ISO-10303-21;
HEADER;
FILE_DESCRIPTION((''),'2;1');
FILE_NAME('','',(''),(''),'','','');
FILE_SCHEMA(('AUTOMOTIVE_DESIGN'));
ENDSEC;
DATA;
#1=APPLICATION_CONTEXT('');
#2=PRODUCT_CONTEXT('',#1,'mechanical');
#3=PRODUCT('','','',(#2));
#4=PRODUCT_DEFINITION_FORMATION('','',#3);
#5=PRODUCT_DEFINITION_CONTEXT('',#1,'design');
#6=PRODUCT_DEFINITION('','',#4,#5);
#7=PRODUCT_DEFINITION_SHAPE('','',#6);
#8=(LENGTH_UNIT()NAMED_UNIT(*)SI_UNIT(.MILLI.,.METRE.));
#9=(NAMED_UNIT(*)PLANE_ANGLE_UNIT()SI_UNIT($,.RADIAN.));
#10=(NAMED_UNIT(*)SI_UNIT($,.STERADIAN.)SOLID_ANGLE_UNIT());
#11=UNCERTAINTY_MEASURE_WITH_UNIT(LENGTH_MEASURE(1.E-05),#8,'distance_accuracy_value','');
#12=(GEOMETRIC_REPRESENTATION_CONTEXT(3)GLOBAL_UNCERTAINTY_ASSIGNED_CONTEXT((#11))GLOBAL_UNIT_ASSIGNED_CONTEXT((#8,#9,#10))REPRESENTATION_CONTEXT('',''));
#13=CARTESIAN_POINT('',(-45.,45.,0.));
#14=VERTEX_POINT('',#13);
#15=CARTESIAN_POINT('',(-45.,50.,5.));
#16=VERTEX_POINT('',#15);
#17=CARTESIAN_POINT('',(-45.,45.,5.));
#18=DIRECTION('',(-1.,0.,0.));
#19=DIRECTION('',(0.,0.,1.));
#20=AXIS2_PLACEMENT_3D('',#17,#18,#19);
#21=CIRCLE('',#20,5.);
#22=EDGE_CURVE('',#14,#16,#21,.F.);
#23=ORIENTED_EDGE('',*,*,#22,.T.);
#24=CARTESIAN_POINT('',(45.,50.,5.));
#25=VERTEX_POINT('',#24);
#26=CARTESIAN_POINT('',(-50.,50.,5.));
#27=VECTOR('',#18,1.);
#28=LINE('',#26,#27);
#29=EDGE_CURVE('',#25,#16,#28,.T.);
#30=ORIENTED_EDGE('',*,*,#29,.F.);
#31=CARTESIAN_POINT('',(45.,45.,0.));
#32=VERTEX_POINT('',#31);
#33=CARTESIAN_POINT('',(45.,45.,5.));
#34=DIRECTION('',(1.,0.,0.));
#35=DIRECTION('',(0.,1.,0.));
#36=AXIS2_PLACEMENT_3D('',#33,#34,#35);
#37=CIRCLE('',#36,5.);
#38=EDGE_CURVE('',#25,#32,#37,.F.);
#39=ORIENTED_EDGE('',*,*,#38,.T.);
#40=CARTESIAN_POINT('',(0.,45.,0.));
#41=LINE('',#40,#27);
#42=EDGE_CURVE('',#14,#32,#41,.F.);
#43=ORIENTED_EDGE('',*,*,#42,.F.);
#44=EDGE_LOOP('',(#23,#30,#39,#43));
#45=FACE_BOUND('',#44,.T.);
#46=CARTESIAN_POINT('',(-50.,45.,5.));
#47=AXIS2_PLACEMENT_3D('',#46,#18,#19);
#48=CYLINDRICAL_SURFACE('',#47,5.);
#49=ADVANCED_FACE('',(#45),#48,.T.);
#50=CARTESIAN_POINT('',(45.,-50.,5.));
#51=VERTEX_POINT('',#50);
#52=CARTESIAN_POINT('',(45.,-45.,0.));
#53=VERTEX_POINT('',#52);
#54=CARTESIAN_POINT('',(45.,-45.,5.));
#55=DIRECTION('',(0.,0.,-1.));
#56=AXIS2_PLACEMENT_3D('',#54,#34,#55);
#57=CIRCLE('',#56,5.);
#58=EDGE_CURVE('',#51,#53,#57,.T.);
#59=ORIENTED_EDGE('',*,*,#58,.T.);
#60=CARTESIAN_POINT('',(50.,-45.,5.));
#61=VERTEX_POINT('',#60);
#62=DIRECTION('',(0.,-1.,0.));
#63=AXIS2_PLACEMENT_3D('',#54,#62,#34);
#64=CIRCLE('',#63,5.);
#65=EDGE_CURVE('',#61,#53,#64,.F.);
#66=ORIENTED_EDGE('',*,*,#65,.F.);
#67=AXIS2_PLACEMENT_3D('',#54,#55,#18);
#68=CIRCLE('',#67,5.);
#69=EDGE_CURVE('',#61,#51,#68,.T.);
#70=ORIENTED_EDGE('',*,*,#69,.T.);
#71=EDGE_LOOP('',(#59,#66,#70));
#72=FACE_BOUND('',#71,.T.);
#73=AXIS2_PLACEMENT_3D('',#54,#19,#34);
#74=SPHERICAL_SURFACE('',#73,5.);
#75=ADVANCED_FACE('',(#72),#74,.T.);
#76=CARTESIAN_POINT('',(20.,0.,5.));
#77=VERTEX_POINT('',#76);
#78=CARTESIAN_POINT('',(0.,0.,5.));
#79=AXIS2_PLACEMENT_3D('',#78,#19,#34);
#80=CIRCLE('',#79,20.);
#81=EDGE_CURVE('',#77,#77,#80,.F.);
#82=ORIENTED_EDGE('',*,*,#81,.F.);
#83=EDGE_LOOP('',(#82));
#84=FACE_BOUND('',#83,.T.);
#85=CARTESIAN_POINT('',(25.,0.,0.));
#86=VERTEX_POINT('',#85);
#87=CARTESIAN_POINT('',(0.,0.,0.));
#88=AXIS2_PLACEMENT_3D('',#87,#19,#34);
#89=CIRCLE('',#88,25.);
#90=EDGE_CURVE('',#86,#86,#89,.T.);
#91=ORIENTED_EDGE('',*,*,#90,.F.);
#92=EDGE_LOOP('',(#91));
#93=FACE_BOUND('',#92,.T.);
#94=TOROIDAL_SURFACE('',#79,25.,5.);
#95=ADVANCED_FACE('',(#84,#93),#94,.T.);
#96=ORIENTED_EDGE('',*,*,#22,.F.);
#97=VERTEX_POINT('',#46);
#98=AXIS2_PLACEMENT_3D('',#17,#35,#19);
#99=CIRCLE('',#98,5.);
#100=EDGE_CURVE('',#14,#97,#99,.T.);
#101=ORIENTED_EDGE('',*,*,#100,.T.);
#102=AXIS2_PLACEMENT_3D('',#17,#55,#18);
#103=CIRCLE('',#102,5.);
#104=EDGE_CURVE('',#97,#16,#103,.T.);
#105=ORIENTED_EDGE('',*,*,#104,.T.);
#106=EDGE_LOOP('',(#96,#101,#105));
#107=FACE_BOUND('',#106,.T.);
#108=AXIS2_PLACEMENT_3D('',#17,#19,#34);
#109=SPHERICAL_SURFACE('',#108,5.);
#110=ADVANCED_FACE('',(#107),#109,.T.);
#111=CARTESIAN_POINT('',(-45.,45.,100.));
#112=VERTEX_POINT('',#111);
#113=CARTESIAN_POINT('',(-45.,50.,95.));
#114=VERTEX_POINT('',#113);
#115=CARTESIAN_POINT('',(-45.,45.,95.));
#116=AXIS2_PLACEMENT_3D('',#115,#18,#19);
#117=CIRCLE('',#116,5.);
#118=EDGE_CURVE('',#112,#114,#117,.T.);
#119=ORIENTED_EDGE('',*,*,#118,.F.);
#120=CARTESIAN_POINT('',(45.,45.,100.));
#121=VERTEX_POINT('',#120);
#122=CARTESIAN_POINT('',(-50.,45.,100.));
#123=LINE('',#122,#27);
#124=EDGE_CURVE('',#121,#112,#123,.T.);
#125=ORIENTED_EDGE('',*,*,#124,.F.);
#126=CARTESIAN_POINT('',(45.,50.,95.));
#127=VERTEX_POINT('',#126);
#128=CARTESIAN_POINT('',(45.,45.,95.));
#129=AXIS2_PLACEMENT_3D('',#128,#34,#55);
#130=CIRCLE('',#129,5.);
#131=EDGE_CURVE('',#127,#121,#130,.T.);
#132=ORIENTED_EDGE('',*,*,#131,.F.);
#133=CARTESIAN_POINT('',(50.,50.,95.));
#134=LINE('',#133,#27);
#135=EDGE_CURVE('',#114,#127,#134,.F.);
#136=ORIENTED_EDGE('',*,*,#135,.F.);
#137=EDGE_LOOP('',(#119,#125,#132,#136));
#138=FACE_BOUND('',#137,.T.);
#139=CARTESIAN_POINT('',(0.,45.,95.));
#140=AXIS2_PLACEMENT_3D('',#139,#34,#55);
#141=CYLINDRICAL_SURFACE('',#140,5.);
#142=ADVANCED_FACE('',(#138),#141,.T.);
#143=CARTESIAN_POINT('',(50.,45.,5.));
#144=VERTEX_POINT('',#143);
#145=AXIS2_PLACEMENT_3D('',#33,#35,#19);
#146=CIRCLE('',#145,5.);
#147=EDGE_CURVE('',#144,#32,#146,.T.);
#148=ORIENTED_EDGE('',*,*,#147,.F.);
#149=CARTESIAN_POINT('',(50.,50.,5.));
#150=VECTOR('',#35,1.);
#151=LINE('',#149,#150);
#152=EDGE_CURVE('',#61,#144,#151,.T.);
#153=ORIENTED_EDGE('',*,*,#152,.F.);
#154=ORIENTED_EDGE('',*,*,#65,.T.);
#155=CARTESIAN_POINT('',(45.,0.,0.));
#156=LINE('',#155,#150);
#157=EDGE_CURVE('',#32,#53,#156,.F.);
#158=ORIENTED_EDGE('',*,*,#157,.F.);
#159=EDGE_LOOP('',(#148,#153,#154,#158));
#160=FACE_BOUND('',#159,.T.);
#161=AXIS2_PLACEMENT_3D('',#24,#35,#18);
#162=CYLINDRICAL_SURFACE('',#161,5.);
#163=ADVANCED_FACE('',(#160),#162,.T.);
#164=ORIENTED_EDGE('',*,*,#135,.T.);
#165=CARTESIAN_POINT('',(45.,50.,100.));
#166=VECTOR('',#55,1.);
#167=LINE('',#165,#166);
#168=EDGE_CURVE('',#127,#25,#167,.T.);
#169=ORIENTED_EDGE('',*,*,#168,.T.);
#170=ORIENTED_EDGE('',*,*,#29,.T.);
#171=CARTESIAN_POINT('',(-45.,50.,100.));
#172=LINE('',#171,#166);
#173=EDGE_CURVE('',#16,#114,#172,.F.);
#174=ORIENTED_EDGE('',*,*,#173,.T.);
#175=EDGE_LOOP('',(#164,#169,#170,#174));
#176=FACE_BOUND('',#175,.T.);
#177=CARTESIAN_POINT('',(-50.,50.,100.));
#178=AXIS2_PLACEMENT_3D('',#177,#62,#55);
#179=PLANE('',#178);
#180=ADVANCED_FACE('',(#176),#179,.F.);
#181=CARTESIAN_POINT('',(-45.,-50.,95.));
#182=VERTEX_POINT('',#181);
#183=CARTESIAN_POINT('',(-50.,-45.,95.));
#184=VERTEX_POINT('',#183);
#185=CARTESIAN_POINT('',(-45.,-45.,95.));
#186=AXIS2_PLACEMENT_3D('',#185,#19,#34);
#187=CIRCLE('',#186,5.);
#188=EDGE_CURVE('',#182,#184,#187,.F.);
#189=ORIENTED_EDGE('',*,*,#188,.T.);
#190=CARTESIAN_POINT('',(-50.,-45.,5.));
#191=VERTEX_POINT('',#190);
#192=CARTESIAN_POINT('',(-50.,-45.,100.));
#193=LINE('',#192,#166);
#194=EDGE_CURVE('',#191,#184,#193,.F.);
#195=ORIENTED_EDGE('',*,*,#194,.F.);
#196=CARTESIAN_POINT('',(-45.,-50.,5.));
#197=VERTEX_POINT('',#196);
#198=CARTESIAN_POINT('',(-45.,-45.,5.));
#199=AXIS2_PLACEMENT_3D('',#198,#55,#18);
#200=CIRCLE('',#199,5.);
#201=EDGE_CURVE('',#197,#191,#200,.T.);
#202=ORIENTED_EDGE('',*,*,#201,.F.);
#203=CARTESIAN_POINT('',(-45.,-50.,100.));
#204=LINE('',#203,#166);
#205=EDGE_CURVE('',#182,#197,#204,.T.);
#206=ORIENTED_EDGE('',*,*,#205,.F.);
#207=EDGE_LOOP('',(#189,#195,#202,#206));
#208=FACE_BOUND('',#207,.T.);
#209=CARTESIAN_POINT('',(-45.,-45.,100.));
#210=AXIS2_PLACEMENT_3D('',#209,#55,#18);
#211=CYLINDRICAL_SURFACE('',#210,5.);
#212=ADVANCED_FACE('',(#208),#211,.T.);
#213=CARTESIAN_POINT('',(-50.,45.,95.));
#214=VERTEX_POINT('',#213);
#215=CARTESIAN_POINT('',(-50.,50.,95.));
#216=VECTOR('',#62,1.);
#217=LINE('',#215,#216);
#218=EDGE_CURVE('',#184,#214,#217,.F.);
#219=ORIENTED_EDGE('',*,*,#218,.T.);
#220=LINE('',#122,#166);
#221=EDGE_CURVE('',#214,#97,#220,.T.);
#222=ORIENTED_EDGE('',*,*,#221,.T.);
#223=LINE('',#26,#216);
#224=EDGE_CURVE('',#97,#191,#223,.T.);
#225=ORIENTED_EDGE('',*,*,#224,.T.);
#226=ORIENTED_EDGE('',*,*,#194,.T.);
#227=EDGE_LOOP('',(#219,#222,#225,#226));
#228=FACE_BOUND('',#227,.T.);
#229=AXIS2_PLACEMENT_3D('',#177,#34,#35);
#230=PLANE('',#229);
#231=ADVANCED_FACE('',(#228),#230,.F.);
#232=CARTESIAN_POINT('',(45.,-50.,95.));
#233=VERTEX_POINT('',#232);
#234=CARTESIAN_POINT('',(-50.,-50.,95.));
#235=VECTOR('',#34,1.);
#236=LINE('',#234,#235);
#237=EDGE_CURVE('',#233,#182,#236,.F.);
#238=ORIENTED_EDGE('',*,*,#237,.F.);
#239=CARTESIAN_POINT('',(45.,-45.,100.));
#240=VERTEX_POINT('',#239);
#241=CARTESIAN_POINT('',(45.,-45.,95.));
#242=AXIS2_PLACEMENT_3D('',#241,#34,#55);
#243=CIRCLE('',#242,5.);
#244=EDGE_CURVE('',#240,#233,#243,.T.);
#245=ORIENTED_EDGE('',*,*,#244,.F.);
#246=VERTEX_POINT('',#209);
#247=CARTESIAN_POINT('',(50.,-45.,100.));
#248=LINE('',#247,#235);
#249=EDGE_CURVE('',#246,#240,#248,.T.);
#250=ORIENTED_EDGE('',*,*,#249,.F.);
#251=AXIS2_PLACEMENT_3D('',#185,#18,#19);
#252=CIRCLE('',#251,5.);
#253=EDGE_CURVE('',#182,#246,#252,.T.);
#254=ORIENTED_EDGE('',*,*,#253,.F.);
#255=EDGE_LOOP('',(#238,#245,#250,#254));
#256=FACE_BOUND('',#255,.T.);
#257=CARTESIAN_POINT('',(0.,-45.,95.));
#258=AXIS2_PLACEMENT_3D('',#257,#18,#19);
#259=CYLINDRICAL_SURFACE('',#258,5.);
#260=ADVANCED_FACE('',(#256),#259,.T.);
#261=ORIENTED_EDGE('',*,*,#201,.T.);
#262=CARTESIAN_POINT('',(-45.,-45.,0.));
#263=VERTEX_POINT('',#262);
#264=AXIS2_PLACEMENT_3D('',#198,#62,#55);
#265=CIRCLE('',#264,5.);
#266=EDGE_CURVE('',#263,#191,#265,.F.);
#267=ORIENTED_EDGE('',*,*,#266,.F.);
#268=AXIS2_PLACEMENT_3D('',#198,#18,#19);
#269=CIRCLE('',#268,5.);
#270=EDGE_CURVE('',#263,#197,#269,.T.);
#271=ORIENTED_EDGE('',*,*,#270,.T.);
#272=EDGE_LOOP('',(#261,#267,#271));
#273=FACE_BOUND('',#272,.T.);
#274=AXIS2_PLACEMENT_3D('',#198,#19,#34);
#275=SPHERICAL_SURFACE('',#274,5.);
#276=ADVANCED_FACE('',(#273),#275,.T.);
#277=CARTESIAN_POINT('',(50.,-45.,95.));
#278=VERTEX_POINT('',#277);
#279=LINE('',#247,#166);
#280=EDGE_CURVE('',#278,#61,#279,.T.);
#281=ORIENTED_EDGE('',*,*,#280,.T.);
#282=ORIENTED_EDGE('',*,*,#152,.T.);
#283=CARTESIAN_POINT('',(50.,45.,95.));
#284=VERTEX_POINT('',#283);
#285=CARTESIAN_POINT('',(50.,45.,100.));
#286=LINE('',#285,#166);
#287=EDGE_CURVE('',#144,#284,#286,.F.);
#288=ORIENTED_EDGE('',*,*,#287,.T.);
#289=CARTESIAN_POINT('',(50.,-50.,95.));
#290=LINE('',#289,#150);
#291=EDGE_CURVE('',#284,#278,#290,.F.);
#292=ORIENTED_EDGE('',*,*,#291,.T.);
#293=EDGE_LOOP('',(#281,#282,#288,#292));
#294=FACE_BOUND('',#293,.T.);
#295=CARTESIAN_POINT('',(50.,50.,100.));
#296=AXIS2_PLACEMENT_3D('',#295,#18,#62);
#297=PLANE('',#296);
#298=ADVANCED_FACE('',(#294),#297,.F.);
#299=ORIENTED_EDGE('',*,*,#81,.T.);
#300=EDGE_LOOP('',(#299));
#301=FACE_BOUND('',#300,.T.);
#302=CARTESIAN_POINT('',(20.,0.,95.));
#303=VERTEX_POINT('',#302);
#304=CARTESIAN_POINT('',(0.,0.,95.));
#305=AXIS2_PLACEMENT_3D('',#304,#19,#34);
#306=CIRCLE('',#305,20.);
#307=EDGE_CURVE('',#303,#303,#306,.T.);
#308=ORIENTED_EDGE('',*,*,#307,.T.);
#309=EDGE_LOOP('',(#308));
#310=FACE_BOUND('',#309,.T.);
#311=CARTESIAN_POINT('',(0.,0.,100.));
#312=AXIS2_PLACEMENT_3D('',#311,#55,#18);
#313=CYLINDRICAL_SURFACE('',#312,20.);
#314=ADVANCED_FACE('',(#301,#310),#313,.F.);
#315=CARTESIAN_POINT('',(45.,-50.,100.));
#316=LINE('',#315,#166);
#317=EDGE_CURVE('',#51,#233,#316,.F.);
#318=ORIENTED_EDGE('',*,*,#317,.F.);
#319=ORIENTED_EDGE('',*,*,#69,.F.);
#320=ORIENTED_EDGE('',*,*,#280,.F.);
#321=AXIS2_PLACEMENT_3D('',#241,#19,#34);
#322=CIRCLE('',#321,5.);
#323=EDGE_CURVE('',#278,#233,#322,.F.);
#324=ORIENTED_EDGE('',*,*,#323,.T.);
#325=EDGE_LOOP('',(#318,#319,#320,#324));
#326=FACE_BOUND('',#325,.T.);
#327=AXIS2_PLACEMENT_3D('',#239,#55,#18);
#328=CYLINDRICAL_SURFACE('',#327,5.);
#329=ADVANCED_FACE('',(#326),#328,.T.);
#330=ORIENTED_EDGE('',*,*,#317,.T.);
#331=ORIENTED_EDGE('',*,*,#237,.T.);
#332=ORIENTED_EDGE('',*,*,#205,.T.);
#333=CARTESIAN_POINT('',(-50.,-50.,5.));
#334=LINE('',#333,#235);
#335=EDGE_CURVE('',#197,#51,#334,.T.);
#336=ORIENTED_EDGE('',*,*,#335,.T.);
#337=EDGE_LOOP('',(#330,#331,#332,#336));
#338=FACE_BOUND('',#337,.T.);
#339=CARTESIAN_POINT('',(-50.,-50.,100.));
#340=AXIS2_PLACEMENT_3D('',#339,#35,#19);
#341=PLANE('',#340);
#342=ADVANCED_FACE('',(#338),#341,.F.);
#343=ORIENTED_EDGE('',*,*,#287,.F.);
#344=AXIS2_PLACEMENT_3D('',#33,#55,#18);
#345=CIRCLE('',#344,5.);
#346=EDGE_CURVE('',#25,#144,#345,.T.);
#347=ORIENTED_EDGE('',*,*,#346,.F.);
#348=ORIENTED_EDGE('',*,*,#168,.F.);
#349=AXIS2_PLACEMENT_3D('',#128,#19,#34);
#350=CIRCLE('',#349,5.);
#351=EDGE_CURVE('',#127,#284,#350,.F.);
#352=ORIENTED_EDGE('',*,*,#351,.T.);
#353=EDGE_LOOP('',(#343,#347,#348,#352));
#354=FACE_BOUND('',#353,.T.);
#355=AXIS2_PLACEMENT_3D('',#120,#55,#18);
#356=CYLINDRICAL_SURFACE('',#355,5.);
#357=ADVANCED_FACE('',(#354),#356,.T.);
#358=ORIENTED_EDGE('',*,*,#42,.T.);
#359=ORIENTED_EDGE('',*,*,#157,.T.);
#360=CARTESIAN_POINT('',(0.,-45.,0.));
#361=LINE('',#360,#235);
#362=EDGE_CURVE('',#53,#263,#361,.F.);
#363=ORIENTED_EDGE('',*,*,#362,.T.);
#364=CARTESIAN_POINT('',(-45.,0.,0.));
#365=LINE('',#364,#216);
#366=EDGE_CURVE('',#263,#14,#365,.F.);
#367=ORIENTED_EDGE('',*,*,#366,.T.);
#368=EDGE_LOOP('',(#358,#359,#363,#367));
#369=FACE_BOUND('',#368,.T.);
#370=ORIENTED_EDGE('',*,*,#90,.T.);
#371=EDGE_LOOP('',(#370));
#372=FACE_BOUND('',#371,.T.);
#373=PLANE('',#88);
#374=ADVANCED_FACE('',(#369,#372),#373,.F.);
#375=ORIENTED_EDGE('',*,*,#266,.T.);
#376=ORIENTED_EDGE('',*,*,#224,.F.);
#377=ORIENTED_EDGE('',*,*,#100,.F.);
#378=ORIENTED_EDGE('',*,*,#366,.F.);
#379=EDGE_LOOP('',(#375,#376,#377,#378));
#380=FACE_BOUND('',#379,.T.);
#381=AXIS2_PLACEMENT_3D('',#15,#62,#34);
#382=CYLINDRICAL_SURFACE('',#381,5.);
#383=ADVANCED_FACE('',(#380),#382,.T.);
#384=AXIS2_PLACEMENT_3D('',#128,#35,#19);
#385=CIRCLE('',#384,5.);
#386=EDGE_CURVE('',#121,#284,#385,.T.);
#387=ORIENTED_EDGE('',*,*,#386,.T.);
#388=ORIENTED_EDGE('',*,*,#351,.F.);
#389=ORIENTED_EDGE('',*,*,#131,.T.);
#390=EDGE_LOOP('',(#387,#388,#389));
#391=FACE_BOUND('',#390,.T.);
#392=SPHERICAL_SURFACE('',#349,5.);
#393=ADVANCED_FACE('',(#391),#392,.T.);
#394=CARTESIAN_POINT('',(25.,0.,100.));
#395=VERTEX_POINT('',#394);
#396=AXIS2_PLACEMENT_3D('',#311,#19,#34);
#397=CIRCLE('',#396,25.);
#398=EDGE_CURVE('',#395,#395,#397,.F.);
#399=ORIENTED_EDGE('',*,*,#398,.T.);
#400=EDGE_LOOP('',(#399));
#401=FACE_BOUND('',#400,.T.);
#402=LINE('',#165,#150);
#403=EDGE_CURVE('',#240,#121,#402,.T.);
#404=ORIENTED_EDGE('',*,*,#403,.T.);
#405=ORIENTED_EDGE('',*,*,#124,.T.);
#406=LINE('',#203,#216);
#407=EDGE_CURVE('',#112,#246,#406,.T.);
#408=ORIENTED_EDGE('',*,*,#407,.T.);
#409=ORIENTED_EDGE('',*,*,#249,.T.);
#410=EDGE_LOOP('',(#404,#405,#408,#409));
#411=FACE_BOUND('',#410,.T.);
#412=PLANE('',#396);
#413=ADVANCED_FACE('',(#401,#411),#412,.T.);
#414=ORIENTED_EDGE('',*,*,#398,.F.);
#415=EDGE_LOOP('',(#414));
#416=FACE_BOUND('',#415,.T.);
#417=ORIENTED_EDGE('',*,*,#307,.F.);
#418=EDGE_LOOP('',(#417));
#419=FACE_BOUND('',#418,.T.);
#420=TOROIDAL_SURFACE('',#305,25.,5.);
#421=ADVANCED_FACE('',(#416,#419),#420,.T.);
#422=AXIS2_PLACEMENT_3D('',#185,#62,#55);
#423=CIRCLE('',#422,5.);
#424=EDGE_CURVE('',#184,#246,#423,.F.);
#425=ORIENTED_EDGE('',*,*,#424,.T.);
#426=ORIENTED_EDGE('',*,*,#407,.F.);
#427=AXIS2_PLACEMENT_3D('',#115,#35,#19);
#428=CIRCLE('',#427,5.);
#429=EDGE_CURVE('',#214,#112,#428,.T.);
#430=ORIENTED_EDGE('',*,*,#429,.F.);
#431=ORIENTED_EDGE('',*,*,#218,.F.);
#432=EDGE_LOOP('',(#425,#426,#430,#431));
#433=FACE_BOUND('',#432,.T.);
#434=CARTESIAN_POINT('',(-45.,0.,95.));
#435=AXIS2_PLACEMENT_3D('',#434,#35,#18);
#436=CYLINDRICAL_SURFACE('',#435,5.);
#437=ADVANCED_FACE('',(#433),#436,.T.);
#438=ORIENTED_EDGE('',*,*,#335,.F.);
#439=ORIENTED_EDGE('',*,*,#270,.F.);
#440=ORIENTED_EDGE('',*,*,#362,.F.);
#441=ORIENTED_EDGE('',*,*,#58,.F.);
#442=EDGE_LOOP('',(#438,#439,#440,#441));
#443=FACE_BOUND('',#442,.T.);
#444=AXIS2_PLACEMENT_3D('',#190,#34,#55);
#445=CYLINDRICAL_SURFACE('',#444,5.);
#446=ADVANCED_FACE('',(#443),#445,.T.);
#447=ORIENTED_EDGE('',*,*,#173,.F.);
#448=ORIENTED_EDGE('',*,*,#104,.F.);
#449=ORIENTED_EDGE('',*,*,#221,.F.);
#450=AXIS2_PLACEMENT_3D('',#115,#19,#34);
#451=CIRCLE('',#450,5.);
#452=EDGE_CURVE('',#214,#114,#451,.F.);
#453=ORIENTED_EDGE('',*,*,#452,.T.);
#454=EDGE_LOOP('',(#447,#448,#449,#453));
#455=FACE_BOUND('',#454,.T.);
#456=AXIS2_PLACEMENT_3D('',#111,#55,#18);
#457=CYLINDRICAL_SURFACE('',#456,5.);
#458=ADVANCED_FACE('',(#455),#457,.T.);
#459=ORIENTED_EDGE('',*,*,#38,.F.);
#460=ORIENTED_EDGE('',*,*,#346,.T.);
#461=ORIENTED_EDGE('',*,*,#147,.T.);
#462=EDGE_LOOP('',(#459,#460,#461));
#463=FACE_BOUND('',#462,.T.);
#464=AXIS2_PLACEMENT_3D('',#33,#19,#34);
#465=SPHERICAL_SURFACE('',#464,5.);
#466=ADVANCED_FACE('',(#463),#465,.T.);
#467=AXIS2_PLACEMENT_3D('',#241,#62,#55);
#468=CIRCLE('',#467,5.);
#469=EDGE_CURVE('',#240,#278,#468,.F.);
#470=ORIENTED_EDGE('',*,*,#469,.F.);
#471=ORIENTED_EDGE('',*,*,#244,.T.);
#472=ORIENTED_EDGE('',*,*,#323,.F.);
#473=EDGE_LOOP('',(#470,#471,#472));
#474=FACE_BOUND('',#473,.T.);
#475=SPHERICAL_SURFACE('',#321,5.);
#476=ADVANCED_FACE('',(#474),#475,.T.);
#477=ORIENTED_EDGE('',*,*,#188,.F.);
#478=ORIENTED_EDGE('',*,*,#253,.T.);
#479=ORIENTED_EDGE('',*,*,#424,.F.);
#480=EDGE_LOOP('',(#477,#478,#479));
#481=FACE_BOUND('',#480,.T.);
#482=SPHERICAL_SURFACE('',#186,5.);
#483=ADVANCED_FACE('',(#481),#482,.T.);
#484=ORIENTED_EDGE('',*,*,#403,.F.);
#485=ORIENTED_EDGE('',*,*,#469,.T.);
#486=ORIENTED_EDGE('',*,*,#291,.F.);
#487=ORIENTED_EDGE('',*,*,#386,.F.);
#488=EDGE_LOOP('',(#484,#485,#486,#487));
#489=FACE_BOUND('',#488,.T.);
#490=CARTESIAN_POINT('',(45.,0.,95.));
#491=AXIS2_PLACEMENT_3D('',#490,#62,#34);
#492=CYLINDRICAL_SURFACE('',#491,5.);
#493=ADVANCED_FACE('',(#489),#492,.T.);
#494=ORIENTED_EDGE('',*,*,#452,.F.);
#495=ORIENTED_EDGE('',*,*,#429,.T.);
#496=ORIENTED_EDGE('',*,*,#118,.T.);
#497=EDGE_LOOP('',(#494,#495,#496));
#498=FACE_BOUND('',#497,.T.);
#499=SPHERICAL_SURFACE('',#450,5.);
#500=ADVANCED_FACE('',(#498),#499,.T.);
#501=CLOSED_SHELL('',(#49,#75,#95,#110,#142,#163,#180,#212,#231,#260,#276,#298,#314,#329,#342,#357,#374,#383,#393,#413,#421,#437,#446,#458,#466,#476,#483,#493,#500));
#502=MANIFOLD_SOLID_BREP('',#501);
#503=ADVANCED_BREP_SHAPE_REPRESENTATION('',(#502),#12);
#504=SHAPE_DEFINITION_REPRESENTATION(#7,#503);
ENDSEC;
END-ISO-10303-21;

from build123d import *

# Parameters (mm, degrees)
SKETCH_1_W      = 100
SKETCH_1_H      = 100
SKETCH_1_R      = 20
EXTRUDE_1_DEPTH = 100
FILLET_1_R      = 5
FILLET_2_R      = 5


with BuildPart() as part:
    # 草图1 → 凸台-拉伸1 (new body)
    with BuildSketch(Plane.XY):
        Rectangle(SKETCH_1_W, SKETCH_1_H)
        Circle(SKETCH_1_R, mode=Mode.SUBTRACT)
    extrude(amount=EXTRUDE_1_DEPTH)

    # 圆角1
    fillet_1_edges = [part.edges().sort_by_distance(p)[0] for p in [
        (-50, 0, 100),
        (0, -50, 100),
        (50, 0, 100),
        (0, -50, 0),
        (-50, 0, 0),
        (0, 50, 0),
        (50, 0, 0),
        (50, -50, 50),
        (-50, -50, 50),
        (-50, 50, 50),
        (50, 50, 50),
        (0, 50, 100),
    ]]
    fillet(fillet_1_edges, radius=FILLET_1_R)

    # 圆角2
    fillet_2_edges = [part.edges().sort_by_distance(p)[0] for p in [
        (-20, 0, 0),
        (-20, 0, 100),
    ]]
    fillet(fillet_2_edges, radius=FILLET_2_R)


solid = part.part
